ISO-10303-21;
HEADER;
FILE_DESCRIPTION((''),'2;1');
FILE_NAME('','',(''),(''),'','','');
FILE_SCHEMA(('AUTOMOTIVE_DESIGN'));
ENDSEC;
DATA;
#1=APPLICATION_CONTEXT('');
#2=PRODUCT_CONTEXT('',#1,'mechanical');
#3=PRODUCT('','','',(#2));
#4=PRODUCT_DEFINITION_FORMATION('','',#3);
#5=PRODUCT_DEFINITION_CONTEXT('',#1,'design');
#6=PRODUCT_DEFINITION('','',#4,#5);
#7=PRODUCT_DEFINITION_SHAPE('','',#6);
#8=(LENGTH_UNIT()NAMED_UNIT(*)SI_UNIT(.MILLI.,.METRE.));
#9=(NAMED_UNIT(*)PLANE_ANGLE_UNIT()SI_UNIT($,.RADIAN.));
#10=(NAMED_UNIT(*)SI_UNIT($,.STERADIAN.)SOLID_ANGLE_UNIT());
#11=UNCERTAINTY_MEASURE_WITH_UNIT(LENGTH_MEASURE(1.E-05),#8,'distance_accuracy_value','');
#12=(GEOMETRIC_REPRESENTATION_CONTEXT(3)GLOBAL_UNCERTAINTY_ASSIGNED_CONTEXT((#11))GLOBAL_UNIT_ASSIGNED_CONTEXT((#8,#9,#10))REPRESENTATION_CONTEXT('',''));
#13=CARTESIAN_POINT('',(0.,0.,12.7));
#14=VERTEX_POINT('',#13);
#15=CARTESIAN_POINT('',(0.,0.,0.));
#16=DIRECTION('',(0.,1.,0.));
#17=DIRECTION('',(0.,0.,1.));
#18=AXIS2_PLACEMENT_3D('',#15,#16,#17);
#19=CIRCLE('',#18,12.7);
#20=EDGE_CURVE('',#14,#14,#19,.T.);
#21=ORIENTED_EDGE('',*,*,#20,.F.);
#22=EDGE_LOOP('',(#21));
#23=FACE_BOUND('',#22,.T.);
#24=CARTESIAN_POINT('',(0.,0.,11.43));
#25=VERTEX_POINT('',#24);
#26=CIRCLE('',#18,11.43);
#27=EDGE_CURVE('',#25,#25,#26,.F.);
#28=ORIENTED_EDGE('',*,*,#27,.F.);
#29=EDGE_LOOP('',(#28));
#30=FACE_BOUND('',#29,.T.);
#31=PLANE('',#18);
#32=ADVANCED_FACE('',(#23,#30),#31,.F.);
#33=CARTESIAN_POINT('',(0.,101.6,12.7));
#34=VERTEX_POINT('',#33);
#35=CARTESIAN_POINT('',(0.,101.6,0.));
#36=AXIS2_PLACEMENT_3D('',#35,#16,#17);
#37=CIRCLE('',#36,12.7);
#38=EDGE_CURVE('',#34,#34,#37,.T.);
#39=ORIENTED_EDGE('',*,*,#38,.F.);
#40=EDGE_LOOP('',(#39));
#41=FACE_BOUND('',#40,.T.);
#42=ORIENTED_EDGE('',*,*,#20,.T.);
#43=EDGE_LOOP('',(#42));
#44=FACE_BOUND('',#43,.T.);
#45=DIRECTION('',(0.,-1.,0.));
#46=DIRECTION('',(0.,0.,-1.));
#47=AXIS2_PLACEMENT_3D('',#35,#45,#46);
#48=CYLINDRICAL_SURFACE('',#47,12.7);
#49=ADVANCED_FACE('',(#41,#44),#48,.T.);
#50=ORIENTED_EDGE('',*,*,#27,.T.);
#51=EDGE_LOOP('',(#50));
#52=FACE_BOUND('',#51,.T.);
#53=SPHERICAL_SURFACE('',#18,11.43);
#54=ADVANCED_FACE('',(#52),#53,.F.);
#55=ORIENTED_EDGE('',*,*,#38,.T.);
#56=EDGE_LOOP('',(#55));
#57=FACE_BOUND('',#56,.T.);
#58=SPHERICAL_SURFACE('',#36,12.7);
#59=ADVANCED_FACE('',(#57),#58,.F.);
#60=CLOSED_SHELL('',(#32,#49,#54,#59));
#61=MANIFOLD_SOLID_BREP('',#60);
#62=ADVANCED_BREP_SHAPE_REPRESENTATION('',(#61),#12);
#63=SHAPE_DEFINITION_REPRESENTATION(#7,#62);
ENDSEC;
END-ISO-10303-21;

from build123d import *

# Parameters (mm, degrees)
SKETCH1_R           = 12.7
BOSS_EXTRUDE1_DEPTH = 101.6


with BuildPart() as part:
    # Sketch1 → Boss-Extrude1 (new body)
    with BuildSketch(Plane(origin=(0, 0, 0), x_dir=(1, 0, 0), z_dir=(0, 1, 0))):
        with Locations(Location((0, 0, 0), (0, 0, 270))):
            Circle(SKETCH1_R)
    extrude(amount=BOSS_EXTRUDE1_DEPTH)

    # Sketch2 → Cut-Revolve1 (revolve, cut)
    with BuildSketch(Plane(origin=(0, 101.6, 0), x_dir=(1, 0, 0), z_dir=(0, 1, 0))):
        with BuildLine():
            Line((0, 12.7), (0, -12.7))
            ThreePointArc((0, -12.7), (-12.7, 0), (0, 12.7))
        make_face()
    revolve(axis=Axis((0, 101.6, -12.7), (0, 0, 1)), mode=Mode.SUBTRACT)

    # Sketch4 → Cut-Revolve3 (revolve, cut)
    with BuildSketch(Plane(origin=(0, 0, 0), x_dir=(-1, 0, 0), z_dir=(0, -1, 0))):
        with BuildLine():
            Line((0, 11.43), (0, -11.43))
            ThreePointArc((0, -11.43), (11.43, 0), (0, 11.43))
        make_face()
    revolve(axis=Axis((0, 0, -11.43), (0, 0, 1)), mode=Mode.SUBTRACT)


solid = part.part
